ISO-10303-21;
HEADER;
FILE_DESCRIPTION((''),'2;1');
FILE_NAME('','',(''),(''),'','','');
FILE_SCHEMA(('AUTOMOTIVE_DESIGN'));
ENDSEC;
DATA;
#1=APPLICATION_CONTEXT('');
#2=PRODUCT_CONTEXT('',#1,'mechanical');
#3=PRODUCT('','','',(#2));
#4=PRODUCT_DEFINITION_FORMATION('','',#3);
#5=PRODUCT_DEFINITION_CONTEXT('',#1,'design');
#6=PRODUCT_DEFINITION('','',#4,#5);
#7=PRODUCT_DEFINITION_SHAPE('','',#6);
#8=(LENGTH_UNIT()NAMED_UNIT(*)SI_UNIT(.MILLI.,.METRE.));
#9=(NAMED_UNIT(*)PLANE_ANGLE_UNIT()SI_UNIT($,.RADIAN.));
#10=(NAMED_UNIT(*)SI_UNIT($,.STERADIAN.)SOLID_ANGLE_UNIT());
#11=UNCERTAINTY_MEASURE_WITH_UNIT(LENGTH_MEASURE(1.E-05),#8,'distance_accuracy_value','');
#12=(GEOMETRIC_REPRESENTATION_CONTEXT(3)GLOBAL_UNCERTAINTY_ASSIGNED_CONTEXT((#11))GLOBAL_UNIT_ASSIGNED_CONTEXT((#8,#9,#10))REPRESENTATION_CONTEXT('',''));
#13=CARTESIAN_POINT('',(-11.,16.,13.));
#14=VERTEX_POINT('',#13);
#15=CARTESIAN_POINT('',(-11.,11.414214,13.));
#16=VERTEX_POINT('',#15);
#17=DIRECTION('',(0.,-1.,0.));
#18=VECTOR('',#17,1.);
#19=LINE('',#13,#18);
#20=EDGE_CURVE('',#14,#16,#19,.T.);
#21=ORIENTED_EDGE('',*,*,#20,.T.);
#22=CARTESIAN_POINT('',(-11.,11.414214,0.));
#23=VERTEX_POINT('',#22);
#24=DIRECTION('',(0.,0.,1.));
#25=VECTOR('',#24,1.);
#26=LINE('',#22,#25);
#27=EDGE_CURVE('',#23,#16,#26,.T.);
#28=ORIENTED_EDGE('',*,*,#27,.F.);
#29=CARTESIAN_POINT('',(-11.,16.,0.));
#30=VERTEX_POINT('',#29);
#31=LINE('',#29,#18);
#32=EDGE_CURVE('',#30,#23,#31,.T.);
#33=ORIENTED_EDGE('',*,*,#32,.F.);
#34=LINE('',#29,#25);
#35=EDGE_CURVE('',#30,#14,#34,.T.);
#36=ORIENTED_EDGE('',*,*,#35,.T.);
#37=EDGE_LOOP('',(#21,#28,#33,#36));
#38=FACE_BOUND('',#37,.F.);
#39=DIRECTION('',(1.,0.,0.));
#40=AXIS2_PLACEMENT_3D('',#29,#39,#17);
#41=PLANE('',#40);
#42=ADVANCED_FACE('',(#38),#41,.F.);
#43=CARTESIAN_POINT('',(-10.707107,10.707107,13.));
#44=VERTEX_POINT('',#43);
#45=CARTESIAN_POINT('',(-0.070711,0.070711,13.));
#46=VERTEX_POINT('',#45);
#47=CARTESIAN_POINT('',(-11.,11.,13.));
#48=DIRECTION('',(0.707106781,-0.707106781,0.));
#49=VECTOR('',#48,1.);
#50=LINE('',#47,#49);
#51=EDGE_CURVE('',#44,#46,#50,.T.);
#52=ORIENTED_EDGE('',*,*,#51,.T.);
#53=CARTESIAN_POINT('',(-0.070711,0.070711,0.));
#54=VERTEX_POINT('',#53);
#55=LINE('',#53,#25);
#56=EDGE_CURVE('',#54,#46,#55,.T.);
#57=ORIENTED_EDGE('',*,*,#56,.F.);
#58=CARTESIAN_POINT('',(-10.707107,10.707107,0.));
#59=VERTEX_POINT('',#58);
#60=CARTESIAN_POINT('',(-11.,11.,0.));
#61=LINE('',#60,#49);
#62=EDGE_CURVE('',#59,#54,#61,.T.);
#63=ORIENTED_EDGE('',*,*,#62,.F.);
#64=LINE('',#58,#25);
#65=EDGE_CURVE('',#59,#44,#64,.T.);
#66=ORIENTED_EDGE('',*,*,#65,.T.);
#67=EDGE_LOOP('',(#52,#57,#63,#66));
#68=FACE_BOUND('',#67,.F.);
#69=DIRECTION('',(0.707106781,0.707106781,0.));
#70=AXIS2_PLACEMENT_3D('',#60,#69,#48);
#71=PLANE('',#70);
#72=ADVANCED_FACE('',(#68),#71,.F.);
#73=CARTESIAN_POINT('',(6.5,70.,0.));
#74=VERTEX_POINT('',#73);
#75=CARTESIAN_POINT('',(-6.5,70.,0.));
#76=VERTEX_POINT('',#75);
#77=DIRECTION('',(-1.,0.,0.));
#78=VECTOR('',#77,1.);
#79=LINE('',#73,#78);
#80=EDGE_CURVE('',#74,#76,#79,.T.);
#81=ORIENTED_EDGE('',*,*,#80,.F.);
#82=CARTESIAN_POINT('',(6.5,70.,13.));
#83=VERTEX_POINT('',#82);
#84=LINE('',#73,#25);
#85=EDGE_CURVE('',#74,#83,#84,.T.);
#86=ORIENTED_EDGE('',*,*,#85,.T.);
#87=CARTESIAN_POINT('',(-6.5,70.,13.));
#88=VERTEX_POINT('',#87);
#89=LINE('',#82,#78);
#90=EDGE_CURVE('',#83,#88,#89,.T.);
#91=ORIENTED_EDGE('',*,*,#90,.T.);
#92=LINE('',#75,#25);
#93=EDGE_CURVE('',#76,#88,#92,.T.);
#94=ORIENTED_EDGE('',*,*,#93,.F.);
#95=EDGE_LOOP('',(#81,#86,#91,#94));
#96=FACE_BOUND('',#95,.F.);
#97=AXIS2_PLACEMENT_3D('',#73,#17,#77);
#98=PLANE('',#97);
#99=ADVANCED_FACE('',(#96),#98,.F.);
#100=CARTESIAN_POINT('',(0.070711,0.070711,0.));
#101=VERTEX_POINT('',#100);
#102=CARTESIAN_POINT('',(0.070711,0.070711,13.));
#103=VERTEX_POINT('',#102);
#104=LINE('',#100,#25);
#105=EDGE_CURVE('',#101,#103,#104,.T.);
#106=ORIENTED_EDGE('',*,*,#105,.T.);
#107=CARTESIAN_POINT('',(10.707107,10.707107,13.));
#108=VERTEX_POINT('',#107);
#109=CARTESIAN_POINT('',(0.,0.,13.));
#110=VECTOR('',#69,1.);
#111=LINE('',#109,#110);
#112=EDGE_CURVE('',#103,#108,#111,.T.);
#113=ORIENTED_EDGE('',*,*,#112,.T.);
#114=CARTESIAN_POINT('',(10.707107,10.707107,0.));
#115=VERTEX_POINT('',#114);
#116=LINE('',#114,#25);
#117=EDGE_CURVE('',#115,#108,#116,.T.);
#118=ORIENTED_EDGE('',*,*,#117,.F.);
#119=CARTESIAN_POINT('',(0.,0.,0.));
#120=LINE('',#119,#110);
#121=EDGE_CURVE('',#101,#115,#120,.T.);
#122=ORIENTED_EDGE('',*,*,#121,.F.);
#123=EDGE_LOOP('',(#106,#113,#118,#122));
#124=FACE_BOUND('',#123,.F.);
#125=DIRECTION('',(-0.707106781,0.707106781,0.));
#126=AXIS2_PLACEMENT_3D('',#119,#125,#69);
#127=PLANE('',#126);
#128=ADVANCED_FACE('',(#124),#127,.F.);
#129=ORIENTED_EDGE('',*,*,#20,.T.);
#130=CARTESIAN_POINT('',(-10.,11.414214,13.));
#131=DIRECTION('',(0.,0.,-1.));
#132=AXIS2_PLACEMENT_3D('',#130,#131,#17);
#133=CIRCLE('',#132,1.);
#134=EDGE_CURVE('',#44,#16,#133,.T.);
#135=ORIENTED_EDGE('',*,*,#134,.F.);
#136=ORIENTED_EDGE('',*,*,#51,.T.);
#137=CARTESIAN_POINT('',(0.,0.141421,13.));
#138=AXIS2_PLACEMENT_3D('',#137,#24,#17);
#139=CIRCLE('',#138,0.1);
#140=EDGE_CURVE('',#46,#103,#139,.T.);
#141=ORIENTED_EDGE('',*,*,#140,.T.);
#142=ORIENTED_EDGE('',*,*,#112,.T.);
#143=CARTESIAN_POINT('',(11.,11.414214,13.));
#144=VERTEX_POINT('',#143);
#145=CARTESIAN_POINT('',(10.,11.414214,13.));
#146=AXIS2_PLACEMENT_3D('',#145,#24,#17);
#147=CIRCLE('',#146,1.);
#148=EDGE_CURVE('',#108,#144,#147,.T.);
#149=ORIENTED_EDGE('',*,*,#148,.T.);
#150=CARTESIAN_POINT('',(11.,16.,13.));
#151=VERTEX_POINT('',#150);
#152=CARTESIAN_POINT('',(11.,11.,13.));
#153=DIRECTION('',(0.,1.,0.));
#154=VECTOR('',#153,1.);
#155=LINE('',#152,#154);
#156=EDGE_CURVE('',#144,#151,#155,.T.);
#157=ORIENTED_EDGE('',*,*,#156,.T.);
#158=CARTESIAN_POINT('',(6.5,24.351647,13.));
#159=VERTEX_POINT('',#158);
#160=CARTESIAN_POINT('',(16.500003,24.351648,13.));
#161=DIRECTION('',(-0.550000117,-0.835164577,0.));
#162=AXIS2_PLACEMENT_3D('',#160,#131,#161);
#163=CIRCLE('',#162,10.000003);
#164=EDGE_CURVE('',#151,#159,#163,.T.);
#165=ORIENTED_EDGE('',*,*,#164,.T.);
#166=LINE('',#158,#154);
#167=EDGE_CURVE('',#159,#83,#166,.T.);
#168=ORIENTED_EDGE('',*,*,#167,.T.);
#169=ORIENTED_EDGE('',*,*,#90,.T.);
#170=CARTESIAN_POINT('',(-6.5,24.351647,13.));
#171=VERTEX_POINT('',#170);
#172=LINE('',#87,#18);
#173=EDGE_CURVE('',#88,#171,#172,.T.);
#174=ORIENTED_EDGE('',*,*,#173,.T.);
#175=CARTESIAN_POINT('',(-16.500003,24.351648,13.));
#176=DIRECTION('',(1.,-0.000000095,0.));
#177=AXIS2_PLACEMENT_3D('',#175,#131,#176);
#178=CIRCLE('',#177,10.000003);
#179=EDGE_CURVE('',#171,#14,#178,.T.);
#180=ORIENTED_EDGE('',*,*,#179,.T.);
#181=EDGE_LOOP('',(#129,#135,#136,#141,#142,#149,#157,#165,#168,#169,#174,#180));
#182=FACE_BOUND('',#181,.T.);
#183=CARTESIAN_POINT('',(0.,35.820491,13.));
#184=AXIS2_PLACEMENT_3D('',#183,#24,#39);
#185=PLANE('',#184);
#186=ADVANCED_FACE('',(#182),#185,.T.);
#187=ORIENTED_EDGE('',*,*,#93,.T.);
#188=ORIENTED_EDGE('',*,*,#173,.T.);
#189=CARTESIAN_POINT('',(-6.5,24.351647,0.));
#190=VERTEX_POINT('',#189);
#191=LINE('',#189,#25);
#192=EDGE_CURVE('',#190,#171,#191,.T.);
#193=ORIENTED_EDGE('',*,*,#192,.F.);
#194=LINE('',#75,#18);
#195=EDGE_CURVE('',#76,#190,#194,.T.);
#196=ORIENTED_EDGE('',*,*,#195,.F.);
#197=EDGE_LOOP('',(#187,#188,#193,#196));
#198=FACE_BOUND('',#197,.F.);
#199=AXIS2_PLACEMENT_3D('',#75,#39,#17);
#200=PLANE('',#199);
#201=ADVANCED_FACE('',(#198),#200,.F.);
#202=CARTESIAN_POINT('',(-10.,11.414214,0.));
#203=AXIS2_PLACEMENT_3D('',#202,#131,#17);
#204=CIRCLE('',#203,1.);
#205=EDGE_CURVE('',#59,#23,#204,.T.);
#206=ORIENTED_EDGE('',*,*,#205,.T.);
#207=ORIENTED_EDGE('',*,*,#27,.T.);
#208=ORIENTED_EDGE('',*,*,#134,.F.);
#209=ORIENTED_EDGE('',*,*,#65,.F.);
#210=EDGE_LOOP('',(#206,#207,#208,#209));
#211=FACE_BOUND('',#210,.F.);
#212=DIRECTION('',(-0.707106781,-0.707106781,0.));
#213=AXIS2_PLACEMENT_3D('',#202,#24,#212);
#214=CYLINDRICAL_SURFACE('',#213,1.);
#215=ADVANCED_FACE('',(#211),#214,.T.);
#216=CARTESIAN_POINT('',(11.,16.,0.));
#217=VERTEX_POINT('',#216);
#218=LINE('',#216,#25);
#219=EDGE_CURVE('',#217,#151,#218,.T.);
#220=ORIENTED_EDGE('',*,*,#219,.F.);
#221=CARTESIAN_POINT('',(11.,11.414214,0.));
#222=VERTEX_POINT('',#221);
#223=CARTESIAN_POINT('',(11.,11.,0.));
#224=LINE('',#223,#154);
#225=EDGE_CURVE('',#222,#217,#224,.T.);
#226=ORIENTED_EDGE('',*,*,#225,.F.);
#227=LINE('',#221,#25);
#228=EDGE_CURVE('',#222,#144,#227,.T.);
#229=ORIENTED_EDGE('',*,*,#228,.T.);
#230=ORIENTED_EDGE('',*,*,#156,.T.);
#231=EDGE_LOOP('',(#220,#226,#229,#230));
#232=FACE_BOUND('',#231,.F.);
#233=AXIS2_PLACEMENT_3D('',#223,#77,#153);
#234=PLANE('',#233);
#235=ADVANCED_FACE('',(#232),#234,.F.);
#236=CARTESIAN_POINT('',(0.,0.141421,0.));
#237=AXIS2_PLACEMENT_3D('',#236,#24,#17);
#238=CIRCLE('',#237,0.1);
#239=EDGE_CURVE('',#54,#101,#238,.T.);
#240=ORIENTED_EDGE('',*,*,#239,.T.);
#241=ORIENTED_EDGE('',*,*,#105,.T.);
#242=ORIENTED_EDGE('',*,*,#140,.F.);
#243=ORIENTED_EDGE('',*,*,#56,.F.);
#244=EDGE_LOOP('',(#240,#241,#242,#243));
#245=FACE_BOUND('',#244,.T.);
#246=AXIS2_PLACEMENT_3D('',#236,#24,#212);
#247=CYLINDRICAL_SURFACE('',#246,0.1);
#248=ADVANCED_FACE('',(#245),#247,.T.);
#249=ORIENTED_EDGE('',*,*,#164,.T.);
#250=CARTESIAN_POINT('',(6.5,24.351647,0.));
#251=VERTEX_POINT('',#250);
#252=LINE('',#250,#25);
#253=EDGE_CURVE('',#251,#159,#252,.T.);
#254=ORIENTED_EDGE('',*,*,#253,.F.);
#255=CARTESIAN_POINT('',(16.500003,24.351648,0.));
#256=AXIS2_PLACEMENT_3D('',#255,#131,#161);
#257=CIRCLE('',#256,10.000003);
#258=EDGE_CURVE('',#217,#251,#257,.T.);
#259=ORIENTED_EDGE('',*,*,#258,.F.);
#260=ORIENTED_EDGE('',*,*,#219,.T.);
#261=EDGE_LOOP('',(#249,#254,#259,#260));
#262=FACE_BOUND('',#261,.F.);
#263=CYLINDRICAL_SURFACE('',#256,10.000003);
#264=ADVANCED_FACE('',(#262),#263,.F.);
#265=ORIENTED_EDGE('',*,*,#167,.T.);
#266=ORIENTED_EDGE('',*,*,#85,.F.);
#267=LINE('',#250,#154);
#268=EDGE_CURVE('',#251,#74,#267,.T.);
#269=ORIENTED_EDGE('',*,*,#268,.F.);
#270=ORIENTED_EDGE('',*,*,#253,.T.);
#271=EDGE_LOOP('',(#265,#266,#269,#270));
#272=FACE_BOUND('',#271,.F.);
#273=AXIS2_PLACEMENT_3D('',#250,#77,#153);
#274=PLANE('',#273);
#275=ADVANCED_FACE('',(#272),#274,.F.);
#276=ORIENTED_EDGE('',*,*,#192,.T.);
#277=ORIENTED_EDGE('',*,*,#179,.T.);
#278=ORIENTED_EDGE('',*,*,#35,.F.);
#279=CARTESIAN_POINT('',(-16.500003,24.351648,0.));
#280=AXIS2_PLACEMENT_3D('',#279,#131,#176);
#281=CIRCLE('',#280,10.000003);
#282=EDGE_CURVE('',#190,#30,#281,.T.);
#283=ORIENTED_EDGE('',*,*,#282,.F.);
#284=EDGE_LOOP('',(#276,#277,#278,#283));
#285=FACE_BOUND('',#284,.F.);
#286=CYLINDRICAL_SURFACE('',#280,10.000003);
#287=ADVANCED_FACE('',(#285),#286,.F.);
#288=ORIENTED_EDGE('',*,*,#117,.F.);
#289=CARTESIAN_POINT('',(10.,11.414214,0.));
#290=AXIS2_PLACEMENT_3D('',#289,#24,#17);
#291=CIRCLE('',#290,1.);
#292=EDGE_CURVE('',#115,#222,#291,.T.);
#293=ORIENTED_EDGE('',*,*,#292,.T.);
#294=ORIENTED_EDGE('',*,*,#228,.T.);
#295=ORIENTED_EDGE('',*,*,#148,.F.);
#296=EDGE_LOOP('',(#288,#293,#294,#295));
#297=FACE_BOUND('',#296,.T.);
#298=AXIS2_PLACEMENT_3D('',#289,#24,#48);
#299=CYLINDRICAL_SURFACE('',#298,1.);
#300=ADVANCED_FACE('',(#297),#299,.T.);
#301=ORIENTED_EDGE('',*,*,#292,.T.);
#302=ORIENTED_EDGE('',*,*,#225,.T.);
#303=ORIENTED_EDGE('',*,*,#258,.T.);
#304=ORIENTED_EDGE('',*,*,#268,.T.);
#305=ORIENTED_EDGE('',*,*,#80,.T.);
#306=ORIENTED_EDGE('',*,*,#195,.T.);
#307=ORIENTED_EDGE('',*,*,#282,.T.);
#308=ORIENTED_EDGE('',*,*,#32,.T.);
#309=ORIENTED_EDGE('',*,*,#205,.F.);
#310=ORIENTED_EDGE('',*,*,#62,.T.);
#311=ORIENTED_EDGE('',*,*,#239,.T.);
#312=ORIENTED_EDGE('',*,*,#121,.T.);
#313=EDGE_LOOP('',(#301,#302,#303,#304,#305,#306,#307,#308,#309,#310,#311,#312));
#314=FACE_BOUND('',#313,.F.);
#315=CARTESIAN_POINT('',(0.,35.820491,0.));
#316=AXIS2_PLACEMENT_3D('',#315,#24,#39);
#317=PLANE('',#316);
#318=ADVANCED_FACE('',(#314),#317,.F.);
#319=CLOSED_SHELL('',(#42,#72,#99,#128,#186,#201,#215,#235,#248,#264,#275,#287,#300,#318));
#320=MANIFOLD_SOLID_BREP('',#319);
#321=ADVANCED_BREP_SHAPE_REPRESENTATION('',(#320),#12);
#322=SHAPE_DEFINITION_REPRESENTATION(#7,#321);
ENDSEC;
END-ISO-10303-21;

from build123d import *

# Parameters (mm, degrees)
F1_DEPTH = 13
F2_R     = 0.1
F3_R     = 1


with BuildPart() as f1:
    # F0 (on Top) → F1 (new body)
    with BuildSketch(Plane.XY):
        with BuildLine():
            Line((6.5, 24.351647), (6.5, 70))
            Line((6.5, 70), (0, 70))
            Line((0, 70), (-6.5, 70))
            Line((-6.5, 70), (-6.5, 24.351647))
            ThreePointArc((-6.5, 24.351647), (-7.696592, 19.60823), (-11, 16))
            Line((-11, 16), (-11, 11))
            Line((-11, 11), (0, 0))
            Line((0, 0), (11, 11))
            Line((11, 11), (11, 16))
            ThreePointArc((11, 16), (7.696592, 19.60823), (6.5, 24.351647))
        make_face()
    extrude(amount=F1_DEPTH)

    # F2
    f2_edges = [f1.edges().sort_by_distance(p)[0] for p in [
        (0, 0, 6.5),
    ]]
    fillet(f2_edges, radius=F2_R)

    # F3
    f3_edges = [f1.edges().sort_by_distance(p)[0] for p in [
        (-11, 11, 6.5),
        (11, 11, 6.5),
    ]]
    fillet(f3_edges, radius=F3_R)


solid = f1.part
